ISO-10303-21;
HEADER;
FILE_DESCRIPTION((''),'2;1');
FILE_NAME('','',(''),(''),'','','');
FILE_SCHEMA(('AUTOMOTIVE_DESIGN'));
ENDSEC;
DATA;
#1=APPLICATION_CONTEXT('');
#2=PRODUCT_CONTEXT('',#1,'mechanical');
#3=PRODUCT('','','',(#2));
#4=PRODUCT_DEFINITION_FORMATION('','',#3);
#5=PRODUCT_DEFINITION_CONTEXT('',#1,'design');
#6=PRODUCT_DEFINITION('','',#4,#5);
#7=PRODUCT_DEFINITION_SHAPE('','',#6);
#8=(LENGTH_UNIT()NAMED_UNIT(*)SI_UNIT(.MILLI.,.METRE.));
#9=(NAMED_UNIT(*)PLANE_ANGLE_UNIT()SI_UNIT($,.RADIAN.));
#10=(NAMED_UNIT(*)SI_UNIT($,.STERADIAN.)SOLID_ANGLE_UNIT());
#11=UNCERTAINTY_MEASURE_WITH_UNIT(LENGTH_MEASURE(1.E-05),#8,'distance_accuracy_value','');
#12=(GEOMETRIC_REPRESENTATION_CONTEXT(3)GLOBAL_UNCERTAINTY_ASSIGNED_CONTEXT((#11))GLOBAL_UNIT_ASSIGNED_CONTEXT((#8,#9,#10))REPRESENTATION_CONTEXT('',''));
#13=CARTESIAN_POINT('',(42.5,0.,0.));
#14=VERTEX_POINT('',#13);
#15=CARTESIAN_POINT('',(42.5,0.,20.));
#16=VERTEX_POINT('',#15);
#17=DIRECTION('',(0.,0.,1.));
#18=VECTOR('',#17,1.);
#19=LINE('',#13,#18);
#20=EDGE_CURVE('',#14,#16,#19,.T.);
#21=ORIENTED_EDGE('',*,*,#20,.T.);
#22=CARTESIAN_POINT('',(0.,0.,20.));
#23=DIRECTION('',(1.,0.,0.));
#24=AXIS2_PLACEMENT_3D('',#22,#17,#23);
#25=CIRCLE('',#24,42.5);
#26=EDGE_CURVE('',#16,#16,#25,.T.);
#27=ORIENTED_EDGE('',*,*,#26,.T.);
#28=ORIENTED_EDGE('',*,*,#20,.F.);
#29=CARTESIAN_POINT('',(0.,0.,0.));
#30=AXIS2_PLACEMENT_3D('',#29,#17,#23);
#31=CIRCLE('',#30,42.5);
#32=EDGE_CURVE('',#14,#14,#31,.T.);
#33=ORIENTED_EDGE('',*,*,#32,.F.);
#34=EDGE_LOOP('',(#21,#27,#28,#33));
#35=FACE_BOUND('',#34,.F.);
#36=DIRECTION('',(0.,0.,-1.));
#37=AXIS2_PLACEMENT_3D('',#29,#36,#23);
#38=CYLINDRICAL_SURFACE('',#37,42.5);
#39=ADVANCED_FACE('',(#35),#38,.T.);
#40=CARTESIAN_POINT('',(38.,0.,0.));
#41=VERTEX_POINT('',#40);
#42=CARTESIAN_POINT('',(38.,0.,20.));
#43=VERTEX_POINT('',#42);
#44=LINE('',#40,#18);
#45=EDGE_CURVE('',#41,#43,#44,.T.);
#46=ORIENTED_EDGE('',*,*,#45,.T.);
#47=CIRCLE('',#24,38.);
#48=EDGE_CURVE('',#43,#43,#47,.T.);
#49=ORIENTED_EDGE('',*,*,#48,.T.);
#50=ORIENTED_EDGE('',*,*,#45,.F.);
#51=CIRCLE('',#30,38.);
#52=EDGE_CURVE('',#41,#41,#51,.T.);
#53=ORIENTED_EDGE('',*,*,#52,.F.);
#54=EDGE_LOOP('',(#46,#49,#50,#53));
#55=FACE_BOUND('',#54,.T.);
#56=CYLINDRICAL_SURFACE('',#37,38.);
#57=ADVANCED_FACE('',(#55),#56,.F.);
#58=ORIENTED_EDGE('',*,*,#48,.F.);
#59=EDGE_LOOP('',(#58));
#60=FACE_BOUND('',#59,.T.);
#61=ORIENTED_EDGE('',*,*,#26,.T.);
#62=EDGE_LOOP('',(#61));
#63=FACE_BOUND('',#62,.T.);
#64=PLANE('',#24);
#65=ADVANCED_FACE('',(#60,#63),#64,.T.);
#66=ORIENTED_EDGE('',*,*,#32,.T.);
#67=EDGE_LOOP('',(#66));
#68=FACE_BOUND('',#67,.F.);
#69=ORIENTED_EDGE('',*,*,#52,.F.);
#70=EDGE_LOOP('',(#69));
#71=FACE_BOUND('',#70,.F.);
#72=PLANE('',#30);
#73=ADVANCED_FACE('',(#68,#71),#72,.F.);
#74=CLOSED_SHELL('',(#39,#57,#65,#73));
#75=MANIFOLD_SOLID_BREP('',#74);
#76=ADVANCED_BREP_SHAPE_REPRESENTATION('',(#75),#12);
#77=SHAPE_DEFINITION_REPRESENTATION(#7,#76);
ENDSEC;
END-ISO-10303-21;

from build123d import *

# Parameters (mm, degrees)
SKETCH_R   = 42.5
SKETCH_R_2 = 38
PAD_DEPTH  = 20


with BuildPart() as part:
    # Sketch → Pad (new body)
    with BuildSketch(Plane.XY):
        Circle(SKETCH_R)
        Circle(SKETCH_R_2, mode=Mode.SUBTRACT)
    extrude(amount=PAD_DEPTH)


solid = part.part
